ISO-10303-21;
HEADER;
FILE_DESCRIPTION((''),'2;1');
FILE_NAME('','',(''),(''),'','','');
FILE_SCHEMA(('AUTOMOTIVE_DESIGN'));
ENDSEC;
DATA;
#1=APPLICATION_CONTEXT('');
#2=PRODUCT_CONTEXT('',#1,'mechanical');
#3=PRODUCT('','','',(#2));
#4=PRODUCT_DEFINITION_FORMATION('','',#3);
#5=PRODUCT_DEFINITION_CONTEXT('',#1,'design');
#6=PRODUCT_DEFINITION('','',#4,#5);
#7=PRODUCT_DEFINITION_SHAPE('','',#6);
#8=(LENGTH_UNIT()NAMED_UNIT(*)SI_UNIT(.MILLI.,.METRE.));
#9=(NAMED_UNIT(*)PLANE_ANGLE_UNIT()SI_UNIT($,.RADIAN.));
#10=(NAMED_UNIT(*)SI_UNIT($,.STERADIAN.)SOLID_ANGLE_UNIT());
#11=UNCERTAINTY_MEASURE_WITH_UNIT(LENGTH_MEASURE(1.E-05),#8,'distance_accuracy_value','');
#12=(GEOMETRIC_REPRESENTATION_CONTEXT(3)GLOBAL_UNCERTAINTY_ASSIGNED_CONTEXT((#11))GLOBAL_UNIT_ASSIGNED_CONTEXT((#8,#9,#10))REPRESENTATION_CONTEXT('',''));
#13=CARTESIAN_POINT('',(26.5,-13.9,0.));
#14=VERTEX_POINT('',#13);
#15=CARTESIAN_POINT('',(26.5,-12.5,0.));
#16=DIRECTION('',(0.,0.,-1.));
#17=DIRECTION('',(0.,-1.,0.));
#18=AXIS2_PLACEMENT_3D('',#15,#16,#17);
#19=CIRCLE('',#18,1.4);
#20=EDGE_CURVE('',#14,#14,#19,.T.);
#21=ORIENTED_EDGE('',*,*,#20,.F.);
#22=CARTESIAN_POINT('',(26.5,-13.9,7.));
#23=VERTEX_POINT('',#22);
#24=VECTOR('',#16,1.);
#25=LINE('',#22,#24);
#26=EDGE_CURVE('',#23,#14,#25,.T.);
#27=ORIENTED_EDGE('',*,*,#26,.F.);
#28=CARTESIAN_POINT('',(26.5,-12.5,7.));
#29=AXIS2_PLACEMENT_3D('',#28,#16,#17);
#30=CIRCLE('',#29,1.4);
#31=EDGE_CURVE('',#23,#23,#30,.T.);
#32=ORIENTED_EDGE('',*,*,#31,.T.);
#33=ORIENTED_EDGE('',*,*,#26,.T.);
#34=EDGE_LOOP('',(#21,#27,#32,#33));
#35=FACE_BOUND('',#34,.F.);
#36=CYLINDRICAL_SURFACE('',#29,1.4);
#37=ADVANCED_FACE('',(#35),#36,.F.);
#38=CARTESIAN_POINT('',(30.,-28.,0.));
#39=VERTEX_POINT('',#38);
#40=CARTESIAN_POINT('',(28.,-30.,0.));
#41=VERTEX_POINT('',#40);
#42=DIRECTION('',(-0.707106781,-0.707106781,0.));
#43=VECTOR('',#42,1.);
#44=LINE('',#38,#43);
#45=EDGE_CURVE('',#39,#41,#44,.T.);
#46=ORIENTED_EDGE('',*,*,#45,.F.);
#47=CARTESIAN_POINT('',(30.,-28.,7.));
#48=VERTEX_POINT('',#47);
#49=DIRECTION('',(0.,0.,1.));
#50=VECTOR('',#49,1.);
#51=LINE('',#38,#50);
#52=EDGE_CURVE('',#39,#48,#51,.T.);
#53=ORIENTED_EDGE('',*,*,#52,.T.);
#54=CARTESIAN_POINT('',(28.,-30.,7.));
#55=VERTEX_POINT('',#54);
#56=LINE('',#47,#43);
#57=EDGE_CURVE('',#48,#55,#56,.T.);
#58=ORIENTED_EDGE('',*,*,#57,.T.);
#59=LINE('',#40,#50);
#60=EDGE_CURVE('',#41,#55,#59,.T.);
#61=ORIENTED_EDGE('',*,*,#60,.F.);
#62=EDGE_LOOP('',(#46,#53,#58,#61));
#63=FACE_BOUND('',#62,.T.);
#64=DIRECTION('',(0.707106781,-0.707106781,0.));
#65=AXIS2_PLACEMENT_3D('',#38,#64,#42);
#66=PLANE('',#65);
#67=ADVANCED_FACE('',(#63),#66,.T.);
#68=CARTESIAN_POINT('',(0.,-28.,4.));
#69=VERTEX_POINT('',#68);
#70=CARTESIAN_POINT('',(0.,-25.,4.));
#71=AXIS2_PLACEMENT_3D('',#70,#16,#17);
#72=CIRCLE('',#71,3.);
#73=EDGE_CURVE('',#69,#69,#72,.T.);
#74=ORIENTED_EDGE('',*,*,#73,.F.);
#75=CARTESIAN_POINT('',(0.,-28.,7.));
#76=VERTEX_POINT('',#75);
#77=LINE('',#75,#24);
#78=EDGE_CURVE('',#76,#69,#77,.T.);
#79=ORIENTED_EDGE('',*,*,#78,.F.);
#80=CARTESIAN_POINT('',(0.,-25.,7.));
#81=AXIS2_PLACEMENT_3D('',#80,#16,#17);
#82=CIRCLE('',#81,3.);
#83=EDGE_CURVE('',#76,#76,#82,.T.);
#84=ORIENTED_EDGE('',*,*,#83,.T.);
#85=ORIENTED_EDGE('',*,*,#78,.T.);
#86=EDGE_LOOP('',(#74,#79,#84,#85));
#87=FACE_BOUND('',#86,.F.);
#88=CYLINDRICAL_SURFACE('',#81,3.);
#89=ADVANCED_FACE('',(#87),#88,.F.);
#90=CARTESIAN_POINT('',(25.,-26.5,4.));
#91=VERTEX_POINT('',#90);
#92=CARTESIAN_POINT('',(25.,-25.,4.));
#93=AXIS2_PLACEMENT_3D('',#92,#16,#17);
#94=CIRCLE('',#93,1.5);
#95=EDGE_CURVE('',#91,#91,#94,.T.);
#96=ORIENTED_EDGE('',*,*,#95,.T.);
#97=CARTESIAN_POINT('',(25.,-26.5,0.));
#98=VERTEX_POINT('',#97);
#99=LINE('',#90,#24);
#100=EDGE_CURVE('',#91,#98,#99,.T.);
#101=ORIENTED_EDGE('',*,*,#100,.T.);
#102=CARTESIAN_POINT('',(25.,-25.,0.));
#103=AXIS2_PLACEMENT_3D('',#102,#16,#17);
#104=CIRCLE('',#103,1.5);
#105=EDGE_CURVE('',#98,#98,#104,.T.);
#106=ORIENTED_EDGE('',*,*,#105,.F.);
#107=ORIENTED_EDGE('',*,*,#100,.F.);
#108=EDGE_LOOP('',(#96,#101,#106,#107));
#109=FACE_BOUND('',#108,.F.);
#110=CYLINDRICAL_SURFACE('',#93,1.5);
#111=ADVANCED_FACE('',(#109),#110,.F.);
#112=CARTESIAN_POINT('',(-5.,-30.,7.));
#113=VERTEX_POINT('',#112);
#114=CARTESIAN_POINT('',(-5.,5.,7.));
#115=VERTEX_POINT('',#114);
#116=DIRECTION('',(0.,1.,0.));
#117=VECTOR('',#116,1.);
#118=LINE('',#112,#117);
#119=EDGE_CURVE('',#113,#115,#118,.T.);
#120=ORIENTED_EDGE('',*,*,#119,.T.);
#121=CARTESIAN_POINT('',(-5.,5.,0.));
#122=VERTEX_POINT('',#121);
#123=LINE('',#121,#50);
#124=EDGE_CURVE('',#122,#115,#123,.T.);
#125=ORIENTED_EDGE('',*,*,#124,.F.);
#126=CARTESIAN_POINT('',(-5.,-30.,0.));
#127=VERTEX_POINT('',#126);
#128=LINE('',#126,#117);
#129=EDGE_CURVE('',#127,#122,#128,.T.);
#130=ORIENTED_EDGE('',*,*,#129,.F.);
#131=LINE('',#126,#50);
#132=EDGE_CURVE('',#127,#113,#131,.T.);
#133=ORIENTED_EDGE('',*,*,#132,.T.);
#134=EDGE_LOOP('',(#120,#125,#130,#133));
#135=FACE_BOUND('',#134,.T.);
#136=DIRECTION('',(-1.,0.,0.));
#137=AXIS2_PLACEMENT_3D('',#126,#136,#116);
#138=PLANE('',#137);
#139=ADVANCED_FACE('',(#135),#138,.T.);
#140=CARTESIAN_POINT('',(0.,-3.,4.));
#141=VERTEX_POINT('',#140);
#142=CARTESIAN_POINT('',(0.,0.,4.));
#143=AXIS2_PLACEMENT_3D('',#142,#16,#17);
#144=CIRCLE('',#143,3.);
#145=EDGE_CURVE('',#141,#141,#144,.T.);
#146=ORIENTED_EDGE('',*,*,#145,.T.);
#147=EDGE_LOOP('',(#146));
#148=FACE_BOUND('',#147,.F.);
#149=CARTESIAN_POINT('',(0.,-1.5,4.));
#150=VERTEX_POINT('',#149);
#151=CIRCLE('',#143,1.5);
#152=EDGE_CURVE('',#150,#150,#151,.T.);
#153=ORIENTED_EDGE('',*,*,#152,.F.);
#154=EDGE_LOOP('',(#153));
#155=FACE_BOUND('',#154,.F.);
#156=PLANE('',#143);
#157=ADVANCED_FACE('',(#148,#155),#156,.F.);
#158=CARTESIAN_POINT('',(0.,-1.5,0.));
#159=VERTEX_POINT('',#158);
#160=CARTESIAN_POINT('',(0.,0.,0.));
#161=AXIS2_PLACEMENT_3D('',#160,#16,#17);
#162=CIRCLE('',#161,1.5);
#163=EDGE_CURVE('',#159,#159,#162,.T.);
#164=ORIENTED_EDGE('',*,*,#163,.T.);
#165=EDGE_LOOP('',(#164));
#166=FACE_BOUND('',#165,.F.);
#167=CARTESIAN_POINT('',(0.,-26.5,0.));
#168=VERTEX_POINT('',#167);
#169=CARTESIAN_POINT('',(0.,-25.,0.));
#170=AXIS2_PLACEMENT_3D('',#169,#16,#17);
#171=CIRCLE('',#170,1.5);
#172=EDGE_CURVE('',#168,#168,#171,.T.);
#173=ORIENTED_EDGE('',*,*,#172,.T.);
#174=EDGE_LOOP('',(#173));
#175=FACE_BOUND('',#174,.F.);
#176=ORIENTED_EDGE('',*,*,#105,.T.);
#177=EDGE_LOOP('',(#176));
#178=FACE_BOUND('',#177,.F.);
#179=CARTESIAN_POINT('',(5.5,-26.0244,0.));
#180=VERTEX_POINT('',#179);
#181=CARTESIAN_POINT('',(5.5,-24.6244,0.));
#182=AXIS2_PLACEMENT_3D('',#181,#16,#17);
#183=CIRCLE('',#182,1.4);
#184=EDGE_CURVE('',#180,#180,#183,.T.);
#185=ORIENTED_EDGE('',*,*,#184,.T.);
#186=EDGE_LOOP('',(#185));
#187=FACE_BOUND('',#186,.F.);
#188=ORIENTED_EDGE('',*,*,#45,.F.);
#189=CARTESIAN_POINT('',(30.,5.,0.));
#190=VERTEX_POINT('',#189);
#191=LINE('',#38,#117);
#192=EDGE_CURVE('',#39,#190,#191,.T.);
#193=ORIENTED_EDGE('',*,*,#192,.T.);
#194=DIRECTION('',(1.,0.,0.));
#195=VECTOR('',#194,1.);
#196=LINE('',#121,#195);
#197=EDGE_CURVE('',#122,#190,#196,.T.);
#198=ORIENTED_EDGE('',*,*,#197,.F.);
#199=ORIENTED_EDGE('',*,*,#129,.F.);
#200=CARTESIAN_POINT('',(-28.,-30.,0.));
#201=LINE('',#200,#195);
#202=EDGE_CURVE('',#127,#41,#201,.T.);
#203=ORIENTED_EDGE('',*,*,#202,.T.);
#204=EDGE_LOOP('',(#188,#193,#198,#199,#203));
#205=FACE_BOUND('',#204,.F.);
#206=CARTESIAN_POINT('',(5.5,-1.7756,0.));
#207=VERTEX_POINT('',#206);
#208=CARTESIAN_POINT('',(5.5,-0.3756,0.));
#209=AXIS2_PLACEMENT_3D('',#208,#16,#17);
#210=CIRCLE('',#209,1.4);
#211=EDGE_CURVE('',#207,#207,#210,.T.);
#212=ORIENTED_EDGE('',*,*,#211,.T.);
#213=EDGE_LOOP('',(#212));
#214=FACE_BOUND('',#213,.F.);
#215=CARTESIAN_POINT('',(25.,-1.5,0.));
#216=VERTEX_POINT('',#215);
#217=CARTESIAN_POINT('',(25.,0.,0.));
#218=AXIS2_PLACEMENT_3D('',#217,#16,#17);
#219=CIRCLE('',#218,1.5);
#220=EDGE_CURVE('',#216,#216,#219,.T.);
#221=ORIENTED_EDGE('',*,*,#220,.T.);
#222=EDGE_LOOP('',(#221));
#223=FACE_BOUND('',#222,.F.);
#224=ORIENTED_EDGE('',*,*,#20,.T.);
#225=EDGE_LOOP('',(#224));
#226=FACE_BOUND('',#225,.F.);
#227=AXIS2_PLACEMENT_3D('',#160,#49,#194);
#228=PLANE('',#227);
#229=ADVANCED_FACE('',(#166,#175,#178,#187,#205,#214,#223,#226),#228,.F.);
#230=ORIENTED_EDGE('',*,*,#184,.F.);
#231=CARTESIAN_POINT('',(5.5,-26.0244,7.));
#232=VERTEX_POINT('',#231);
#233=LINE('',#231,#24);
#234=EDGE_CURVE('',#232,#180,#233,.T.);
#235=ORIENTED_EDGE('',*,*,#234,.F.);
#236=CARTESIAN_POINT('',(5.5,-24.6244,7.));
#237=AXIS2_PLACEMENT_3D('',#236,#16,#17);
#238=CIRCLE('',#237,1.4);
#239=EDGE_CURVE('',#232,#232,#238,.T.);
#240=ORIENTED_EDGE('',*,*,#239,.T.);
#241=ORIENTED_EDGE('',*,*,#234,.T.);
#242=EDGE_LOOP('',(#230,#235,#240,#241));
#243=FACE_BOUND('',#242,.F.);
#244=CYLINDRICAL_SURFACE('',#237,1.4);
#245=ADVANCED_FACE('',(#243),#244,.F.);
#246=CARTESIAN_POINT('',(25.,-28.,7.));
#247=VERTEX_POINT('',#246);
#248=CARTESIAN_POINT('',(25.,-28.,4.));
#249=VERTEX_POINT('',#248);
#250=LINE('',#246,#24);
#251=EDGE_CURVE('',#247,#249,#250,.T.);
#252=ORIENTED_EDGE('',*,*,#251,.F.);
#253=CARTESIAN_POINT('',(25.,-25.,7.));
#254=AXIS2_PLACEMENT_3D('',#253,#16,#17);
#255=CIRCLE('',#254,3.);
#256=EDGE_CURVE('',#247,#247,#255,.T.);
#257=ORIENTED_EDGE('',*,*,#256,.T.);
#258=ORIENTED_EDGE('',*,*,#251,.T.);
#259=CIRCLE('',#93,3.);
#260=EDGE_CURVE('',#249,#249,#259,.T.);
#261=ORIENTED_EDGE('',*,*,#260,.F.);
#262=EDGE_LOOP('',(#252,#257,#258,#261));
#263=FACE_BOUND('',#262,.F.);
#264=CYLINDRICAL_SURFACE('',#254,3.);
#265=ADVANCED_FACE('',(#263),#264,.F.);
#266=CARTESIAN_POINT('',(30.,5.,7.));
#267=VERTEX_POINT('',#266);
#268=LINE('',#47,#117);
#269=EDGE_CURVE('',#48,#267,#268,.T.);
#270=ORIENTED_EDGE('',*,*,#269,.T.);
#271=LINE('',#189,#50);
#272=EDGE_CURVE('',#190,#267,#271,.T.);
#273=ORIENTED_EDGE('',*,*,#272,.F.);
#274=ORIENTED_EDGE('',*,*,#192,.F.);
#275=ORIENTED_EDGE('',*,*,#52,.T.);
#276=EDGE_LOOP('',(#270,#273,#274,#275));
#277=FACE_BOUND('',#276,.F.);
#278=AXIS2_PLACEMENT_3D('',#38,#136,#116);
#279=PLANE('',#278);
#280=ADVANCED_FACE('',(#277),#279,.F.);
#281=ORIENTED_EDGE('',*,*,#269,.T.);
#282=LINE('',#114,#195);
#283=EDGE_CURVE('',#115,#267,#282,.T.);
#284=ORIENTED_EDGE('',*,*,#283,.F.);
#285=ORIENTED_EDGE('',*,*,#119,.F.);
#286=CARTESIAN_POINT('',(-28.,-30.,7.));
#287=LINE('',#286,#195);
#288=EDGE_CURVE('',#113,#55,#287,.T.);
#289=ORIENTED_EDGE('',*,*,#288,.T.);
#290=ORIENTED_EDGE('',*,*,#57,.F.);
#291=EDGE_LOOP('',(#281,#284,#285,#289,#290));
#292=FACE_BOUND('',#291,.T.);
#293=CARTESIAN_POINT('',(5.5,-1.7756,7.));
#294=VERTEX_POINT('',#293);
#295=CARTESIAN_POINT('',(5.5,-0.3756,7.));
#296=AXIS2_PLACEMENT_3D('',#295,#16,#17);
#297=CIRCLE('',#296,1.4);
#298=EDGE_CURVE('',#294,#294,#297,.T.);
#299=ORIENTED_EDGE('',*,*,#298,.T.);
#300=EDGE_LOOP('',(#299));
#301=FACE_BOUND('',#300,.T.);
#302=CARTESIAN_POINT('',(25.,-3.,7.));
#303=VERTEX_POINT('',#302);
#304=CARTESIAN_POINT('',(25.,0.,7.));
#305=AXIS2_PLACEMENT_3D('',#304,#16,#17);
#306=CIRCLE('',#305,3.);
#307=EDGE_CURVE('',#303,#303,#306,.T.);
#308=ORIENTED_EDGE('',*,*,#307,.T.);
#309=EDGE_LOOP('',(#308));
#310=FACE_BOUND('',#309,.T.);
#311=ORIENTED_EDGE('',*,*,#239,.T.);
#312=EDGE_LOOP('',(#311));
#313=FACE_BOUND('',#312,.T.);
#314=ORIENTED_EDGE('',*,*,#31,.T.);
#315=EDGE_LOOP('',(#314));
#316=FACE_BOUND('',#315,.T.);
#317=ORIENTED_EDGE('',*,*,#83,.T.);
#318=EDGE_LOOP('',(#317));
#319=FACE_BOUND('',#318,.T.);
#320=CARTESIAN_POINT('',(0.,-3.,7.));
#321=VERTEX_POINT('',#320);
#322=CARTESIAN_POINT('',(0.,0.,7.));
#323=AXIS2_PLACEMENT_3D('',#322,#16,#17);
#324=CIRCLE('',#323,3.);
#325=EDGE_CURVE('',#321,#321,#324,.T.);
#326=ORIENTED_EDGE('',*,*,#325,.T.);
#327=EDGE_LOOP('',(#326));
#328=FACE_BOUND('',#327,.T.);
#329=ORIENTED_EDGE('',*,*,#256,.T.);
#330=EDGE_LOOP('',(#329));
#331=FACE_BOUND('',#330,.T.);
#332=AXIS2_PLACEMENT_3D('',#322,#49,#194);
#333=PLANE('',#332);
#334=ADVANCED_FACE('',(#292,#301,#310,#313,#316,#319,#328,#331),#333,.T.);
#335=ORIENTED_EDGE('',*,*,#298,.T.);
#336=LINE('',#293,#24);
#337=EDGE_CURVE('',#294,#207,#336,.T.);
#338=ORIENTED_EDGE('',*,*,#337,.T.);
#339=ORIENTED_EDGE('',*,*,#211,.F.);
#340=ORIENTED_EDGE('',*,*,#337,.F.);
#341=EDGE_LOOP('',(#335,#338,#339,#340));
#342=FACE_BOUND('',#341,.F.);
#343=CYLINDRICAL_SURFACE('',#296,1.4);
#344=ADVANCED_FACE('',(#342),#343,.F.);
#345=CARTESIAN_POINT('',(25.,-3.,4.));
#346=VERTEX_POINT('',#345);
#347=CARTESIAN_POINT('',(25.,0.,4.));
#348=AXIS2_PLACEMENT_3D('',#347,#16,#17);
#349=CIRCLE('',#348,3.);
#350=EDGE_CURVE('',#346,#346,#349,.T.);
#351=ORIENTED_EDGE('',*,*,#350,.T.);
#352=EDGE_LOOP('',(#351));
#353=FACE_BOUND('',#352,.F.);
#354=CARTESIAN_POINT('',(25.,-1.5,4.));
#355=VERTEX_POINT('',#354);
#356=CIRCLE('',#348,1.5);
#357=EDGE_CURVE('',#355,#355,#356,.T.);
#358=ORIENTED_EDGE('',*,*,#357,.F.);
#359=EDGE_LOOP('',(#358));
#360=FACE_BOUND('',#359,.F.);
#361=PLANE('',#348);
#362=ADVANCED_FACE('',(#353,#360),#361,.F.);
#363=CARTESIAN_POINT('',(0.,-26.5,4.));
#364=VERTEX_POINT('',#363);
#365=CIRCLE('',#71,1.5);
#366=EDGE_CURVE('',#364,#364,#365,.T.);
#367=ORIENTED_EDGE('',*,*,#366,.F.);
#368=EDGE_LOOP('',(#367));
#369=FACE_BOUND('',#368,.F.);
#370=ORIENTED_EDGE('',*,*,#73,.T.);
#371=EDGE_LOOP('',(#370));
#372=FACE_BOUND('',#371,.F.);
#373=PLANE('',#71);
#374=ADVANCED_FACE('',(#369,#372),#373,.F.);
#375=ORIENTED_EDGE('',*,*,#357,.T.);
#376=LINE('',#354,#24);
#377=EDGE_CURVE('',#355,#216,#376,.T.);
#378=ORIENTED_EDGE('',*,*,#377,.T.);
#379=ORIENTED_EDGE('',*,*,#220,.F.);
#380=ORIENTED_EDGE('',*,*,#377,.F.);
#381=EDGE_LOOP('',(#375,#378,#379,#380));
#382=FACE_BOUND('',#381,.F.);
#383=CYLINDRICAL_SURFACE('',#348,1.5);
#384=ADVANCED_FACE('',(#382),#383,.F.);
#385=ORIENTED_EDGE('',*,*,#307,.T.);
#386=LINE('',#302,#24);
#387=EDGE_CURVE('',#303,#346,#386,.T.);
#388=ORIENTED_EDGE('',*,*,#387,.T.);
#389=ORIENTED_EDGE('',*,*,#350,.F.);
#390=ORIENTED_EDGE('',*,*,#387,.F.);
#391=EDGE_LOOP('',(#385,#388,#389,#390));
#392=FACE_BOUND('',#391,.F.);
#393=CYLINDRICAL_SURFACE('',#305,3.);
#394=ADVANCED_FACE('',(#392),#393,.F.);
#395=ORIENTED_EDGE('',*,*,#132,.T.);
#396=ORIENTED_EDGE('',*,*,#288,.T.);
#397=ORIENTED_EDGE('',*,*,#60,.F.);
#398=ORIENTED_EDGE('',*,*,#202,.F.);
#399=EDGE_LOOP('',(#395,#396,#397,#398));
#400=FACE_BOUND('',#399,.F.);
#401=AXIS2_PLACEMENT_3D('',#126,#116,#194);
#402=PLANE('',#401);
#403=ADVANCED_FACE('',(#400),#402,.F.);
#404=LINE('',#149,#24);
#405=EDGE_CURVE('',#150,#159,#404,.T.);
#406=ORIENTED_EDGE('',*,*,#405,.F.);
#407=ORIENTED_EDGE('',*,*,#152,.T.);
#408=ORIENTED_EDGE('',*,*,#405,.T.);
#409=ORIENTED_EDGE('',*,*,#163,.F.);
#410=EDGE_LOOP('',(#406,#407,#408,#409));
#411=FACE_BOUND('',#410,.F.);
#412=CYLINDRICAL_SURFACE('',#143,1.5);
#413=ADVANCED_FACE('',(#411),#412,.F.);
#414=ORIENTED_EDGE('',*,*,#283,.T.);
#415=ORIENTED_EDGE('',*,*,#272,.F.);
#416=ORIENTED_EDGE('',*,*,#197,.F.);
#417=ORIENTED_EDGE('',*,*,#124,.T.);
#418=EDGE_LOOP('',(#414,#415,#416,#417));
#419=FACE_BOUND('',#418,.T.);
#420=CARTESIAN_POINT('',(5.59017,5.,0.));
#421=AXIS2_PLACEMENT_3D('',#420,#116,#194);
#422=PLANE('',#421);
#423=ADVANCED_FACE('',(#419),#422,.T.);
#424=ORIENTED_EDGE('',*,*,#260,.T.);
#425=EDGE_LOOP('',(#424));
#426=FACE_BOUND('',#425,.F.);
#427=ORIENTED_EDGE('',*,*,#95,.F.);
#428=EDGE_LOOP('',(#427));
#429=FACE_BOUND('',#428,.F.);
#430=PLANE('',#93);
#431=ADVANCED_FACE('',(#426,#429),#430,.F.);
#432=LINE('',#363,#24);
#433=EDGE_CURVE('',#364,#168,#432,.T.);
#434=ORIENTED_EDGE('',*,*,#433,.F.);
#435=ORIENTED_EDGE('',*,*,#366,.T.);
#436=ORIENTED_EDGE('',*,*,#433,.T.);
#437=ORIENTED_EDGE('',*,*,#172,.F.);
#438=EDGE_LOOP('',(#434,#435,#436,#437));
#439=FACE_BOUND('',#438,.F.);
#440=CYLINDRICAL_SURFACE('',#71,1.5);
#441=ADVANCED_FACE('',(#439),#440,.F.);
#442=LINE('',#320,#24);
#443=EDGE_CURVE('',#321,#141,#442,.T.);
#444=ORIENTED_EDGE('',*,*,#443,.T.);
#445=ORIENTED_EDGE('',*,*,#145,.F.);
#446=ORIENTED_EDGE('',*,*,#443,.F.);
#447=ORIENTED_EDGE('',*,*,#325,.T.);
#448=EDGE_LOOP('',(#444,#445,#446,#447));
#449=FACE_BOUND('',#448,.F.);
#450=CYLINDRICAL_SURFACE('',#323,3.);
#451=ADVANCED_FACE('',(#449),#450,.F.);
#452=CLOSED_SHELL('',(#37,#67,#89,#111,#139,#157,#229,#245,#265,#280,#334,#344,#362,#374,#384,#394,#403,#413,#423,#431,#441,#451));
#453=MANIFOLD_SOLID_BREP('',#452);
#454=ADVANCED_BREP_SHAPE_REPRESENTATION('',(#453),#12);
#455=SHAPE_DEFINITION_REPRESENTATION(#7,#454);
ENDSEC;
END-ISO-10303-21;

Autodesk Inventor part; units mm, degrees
ref_plane "YZ Plane" through (0, 0, 0) normal (1, 0, 0) x (0, 1, 0)
ref_plane "XZ Plane" through (0, 0, 0) normal (0, 1, 0) x (-1, 0, 0)
ref_plane "XY Plane" through (0, 0, 0) normal (0, 0, 1) x (1, 0, 0)
ref_plane "Work Plane1" through (0, 0, 0) normal (0, 0, 1) x (1, 0, 0)
sketch "Sketch1" plane through (0, 0, 0) normal (0, 0, 1) x (1, 0, 0)
  circle A0 centre (25, -10) radius 1.45 projected
  circle A1 centre (-25, -10) radius 1.45 projected
  circle A2 centre (-25, 10) radius 1.45 projected
  circle A3 centre (25, 10) radius 1.45 projected
  circle A4 centre (-10, -25) radius 1.45 projected
  circle A5 centre (-10, 25) radius 1.45 projected
  circle A6 centre (10, 25) radius 1.45 projected
  circle A7 centre (10, -25) radius 1.45 projected
  circle A8 centre (-25, 25) radius 2.325 projected
  circle A9 centre (25, -25) radius 2.325 projected
  circle A10 centre (-25, -25) radius 2.325 projected
  circle A11 centre (25, 25) radius 2.325 projected
  line L0 (28, 30) -> (30, 28) projected
  line L1 (28, 30) -> (-28, 30) projected
  line L2 (-30, 28) -> (-28, 30) projected
  line L3 (-30, 28) -> (-30, -28) projected
  line L4 (-28, -30) -> (-30, -28) projected
  line L5 (-28, -30) -> (28, -30) projected
  line L6 (30, -28) -> (28, -30) projected
  line L7 (30, -28) -> (30, 28) projected
  circle A12 centre (-17.5, -17.5) radius 1.95 projected
  circle A13 centre (17.5, 17.5) radius 1.95 projected
  circle A14 centre (17.5, -17.5) radius 1.95 projected
  circle A15 centre (-17.5, 17.5) radius 1.95 projected
  circle A16 centre (0, 0) radius 7.5 projected
  line L8 (30, -30) -> (-5, -30)
  line L9 (-5, -30) -> (-5, 5)
  line L10 (-5, 5) -> (30, 5)
  line L11 (30, 5) -> (30, -30)
  point P0 (0, 0)
  dimension "d0" = 35
  dimension "d1" = 35
extrude "Extrusion1" add sketch "Sketch1" along normal blind 7 contours A0 | A7 | A9 | L7 L6 L5 L9 A16 L10 | A16 L9 L10 | A14 picked at (1.7753, -1.9143)
sketch "Sketch2" plane through (0, 0, 7) normal (0, 0, 1) x (1, 0, 0)
  line L0 (9.7965, -11.8691) -> (15.0465, -11.8691) projected
  line L1 (-5, 5) -> (-5, -30) projected
  line L2 (-5, -30) -> (28, -30) projected
  line L3 (28, -30) -> (30, -28) projected
  line L4 (30, -28) -> (30, 5) projected
  line L5 (30, 5) -> (-5, 5) projected
  circle A0 centre (12.5, -12.5) radius 17.5
  line L6 (25, -25) -> (0, -25)
  line L7 (0, -25) -> (0, 0)
  line L8 (0, 0) -> (25, 0)
  line L9 (25, 0) -> (25, -25)
  line L10 (25, -25) -> (0, 0) construction
  line L11 (0, -25) -> (25, 0) construction
  dimension "d4" = 25
  dimension "d5" = 25
hole "Hole1" at (25, 0, 7) at (0, -25, 7) at (0, 0, 7) at (25, -25, 7) direction (0, 0, -1) diameter 3 end through all counterbore diameter 6 counterbore depth 3
sketch "Sketch3" plane through (0, 0, 7) normal (0, 0, 1) x (1, 0, 0)
  circle A0 centre (18.5383, 7.9631) radius 1.4 construction
  circle A1 centre (8.5565, 1.2345) radius 2.95 construction
  circle A2 centre (8.5565, -23.0142) radius 2.95 construction
  circle A3 centre (29.5565, -10.8899) radius 2.95 construction
  line L0 (4.5565, -28.3465) -> (33.5565, -28.3465) construction
  line L1 (4.5565, 11.2345) -> (4.5565, -28.3465) construction
  line L2 (33.5565, 11.2345) -> (4.5565, 11.2345) construction
  line L3 (33.5565, -28.3465) -> (33.5565, 11.2345) construction
  line L4 (-5, 5) -> (-5, -30) construction
  line L5 (30, 5) -> (-5, 5) construction
  line L6 (30, -28) -> (30, 5) construction
  circle A4 centre (12.5, -12.5) radius 17.5 construction
  line L7 (26.5, -12.5) -> (5.5, -24.6244) construction
  line L8 (5.5, -24.6244) -> (5.5, -0.3756) construction
  line L9 (5.5, -0.3756) -> (26.5, -12.5) construction
  point P0 (0, 0)
  dimension "d13" = 12.1244
  dimension "d14" = 21
  dimension "d15" = 21
hole "Hole2" at (26.5, -12.5, 7) at (5.5, -24.6244, 7) at (5.5, -0.3756, 7) direction (0, 0, -1) diameter 2.8 end through all
properties part number "30_cellSTORM_UC2_Chip_holder_base"
